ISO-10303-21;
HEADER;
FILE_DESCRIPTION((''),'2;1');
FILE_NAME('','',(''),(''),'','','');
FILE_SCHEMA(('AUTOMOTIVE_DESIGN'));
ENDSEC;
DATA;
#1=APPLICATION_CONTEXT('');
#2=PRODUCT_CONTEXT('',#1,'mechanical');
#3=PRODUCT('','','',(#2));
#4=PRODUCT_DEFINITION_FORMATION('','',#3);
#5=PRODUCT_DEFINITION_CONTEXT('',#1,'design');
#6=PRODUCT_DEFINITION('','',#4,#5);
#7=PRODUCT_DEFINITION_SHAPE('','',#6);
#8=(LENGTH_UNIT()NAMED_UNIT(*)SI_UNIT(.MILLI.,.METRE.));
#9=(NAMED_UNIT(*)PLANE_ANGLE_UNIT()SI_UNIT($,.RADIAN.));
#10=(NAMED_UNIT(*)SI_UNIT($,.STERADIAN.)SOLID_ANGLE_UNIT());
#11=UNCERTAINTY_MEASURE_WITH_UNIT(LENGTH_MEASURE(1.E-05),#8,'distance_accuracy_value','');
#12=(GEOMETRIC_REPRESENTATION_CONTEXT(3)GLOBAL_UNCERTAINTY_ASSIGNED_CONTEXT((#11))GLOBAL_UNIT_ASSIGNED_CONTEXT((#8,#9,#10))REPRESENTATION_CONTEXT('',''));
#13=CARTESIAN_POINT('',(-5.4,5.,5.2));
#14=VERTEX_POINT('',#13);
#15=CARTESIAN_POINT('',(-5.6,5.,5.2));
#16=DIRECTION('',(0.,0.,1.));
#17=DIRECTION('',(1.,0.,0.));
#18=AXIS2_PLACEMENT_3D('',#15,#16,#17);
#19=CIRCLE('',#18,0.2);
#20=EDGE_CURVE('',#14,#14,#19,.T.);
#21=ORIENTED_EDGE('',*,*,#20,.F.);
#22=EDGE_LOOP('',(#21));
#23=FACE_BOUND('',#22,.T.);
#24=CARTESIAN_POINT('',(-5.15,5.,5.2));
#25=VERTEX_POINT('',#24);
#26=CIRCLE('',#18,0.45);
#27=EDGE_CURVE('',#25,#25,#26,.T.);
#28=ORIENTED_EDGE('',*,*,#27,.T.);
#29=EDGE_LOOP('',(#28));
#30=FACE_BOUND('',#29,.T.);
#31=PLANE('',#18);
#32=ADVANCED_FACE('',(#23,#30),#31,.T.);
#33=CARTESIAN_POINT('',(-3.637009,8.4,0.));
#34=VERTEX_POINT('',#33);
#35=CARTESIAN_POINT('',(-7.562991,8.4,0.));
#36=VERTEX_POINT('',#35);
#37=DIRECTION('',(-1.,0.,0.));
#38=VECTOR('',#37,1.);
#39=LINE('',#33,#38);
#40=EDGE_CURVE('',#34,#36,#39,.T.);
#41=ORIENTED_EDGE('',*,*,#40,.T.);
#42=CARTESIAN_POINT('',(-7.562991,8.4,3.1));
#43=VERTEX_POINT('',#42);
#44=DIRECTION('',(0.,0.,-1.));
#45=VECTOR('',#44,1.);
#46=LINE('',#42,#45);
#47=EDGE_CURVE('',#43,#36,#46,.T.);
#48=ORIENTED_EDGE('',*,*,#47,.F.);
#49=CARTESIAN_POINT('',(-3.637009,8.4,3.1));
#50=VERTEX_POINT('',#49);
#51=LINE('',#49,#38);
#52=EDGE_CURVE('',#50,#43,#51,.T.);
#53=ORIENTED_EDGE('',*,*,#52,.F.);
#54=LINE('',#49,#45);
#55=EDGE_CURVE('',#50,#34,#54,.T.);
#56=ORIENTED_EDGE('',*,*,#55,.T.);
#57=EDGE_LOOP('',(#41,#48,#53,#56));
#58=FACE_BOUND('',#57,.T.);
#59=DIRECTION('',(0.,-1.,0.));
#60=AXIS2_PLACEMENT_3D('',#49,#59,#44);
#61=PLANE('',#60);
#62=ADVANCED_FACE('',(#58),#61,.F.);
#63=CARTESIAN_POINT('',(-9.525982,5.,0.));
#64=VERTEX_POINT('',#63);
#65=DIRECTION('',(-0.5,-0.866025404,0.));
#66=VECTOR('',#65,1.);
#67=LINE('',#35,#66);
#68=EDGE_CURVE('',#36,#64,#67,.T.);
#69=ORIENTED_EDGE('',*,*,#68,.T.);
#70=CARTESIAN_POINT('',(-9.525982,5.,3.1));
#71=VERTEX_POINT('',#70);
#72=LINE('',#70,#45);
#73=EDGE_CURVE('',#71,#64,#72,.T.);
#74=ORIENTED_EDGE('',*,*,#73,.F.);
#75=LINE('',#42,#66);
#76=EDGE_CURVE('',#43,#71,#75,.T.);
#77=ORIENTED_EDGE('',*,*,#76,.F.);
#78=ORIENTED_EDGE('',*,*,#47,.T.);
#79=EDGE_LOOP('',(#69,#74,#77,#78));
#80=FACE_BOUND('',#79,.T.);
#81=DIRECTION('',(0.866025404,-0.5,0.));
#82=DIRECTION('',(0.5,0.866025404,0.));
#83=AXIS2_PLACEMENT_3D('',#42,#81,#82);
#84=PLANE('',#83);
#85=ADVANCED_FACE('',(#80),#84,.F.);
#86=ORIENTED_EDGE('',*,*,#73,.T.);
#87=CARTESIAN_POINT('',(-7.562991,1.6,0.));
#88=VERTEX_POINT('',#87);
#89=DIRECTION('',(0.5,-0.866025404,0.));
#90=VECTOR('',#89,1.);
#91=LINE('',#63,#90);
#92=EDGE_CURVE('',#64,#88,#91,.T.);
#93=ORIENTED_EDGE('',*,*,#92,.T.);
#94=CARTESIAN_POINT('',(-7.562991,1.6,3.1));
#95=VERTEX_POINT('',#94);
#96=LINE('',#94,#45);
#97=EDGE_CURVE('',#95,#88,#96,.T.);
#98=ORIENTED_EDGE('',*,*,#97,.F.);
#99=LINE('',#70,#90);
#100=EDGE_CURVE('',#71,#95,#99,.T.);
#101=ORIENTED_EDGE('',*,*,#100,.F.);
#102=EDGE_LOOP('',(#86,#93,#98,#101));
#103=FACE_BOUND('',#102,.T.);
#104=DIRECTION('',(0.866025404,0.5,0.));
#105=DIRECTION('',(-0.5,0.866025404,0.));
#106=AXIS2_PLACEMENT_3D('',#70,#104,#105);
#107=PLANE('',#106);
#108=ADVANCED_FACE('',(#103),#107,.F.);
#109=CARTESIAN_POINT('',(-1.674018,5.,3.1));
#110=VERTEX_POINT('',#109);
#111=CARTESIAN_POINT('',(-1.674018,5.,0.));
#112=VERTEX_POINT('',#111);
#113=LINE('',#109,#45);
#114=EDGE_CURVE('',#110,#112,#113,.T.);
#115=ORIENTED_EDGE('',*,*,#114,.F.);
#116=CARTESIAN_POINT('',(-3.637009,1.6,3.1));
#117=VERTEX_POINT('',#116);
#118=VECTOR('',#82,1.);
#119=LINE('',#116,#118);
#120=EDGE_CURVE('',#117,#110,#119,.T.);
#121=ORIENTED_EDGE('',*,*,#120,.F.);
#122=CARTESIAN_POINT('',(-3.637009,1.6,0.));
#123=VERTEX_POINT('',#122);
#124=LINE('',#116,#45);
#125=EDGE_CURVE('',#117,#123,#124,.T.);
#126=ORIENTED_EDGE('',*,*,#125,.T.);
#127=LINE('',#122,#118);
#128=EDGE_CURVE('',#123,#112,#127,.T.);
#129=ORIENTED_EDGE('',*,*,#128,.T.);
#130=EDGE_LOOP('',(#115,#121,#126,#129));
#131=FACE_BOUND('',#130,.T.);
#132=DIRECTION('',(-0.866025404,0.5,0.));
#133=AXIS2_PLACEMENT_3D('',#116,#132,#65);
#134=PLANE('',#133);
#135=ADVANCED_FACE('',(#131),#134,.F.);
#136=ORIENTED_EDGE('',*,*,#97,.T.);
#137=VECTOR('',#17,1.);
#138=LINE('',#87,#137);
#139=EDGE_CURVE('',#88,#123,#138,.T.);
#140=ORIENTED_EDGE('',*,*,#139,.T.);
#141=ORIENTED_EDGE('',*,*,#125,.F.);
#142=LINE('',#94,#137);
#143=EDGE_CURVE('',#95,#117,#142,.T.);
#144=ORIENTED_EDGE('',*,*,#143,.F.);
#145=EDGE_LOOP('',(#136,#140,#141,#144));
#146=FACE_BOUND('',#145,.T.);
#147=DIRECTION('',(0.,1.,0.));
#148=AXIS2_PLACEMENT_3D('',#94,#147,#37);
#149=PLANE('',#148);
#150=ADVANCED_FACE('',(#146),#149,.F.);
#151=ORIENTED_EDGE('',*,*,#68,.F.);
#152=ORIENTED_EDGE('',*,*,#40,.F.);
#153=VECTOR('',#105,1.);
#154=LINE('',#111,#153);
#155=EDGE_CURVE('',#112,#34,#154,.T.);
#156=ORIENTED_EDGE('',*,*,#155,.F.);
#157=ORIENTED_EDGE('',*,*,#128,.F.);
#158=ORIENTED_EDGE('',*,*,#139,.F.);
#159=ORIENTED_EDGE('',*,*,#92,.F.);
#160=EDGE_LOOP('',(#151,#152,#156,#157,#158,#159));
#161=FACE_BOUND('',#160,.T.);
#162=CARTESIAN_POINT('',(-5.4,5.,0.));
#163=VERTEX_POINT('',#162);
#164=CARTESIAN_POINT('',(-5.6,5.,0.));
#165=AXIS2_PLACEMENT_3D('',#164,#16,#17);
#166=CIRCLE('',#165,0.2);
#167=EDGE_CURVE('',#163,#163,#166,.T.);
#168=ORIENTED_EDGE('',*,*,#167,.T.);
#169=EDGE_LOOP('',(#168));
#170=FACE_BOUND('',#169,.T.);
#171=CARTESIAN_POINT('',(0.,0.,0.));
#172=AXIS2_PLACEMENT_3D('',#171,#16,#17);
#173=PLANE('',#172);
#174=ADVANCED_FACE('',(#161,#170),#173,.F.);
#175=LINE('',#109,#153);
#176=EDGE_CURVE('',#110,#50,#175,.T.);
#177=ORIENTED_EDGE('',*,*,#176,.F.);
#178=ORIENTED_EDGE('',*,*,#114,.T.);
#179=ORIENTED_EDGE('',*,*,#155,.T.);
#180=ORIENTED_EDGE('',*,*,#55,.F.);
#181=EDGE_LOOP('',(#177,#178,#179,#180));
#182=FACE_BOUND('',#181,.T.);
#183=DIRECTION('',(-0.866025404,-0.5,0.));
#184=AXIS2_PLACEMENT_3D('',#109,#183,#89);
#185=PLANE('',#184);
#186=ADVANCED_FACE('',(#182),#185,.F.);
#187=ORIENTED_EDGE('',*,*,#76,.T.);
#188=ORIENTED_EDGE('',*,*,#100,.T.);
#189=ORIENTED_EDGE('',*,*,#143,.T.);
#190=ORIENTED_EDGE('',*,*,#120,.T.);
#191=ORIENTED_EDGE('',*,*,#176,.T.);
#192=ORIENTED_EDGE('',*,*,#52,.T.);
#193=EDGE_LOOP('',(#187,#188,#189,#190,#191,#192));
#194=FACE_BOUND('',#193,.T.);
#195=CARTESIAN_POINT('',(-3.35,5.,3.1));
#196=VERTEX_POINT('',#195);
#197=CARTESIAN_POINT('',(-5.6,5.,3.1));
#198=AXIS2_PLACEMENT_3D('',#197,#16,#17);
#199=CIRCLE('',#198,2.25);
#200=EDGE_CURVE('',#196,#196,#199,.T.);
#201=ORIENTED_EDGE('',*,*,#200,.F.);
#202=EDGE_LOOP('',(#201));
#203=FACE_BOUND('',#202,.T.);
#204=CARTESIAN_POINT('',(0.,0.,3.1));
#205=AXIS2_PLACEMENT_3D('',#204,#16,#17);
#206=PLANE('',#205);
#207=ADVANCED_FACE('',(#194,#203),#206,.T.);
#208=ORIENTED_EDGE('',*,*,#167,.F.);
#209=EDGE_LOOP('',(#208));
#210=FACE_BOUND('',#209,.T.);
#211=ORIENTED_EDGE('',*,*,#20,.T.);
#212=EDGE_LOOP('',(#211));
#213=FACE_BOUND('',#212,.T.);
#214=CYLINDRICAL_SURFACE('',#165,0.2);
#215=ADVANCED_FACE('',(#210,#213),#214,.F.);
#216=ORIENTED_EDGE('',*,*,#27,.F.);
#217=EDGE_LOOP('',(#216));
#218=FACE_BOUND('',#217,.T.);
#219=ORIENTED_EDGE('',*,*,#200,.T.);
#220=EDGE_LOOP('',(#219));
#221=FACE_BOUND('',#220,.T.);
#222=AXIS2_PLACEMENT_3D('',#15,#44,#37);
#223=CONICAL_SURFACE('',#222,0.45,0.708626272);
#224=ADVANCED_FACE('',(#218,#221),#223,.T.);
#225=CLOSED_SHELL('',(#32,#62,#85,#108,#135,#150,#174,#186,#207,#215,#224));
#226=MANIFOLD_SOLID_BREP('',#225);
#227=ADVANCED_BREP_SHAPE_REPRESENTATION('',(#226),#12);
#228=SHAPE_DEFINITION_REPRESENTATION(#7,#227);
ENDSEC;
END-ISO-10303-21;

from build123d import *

# Parameters (mm, degrees)
RESSALTO_EXTRUS_O1_DEPTH = 3.1
ESBO_O3_R                = 2.25
ESBO_O2_R                = 0.45
ESBO_O4_R                = 0.2
CORTE_EXTRUS_O1_DEPTH    = 6.2


with BuildPart() as part:
    # Esboço1 → Ressalto-extrusão1 (new body)
    with BuildSketch(Plane.XY):
        Polygon((-3.637009085, 1.6), (-1.67401817, 5), (-3.637009085, 8.4), (-7.562990915, 8.4), (-9.52598183, 5), (-7.562990915, 1.6), align=None)
    extrude(amount=RESSALTO_EXTRUS_O1_DEPTH)

    # Esboço3 → Loft3 section 0
    with BuildSketch(Plane.XY.offset(3.1)):
        with Locations((-5.6, 5)):
            Circle(ESBO_O3_R)
    # Esboço2 → Loft3 section 1
    with BuildSketch(Plane.XY.offset(5.2)):
        with Locations((-5.6, 5)):
            Circle(ESBO_O2_R)
    loft()

    # Esboço4 → Corte-extrusão1 (cut, through all)
    with BuildSketch(Plane.XY.offset(5.2)):
        with Locations((-5.6, 5)):
            Circle(ESBO_O4_R)
    extrude(amount=-CORTE_EXTRUS_O1_DEPTH, mode=Mode.SUBTRACT)


solid = part.part
